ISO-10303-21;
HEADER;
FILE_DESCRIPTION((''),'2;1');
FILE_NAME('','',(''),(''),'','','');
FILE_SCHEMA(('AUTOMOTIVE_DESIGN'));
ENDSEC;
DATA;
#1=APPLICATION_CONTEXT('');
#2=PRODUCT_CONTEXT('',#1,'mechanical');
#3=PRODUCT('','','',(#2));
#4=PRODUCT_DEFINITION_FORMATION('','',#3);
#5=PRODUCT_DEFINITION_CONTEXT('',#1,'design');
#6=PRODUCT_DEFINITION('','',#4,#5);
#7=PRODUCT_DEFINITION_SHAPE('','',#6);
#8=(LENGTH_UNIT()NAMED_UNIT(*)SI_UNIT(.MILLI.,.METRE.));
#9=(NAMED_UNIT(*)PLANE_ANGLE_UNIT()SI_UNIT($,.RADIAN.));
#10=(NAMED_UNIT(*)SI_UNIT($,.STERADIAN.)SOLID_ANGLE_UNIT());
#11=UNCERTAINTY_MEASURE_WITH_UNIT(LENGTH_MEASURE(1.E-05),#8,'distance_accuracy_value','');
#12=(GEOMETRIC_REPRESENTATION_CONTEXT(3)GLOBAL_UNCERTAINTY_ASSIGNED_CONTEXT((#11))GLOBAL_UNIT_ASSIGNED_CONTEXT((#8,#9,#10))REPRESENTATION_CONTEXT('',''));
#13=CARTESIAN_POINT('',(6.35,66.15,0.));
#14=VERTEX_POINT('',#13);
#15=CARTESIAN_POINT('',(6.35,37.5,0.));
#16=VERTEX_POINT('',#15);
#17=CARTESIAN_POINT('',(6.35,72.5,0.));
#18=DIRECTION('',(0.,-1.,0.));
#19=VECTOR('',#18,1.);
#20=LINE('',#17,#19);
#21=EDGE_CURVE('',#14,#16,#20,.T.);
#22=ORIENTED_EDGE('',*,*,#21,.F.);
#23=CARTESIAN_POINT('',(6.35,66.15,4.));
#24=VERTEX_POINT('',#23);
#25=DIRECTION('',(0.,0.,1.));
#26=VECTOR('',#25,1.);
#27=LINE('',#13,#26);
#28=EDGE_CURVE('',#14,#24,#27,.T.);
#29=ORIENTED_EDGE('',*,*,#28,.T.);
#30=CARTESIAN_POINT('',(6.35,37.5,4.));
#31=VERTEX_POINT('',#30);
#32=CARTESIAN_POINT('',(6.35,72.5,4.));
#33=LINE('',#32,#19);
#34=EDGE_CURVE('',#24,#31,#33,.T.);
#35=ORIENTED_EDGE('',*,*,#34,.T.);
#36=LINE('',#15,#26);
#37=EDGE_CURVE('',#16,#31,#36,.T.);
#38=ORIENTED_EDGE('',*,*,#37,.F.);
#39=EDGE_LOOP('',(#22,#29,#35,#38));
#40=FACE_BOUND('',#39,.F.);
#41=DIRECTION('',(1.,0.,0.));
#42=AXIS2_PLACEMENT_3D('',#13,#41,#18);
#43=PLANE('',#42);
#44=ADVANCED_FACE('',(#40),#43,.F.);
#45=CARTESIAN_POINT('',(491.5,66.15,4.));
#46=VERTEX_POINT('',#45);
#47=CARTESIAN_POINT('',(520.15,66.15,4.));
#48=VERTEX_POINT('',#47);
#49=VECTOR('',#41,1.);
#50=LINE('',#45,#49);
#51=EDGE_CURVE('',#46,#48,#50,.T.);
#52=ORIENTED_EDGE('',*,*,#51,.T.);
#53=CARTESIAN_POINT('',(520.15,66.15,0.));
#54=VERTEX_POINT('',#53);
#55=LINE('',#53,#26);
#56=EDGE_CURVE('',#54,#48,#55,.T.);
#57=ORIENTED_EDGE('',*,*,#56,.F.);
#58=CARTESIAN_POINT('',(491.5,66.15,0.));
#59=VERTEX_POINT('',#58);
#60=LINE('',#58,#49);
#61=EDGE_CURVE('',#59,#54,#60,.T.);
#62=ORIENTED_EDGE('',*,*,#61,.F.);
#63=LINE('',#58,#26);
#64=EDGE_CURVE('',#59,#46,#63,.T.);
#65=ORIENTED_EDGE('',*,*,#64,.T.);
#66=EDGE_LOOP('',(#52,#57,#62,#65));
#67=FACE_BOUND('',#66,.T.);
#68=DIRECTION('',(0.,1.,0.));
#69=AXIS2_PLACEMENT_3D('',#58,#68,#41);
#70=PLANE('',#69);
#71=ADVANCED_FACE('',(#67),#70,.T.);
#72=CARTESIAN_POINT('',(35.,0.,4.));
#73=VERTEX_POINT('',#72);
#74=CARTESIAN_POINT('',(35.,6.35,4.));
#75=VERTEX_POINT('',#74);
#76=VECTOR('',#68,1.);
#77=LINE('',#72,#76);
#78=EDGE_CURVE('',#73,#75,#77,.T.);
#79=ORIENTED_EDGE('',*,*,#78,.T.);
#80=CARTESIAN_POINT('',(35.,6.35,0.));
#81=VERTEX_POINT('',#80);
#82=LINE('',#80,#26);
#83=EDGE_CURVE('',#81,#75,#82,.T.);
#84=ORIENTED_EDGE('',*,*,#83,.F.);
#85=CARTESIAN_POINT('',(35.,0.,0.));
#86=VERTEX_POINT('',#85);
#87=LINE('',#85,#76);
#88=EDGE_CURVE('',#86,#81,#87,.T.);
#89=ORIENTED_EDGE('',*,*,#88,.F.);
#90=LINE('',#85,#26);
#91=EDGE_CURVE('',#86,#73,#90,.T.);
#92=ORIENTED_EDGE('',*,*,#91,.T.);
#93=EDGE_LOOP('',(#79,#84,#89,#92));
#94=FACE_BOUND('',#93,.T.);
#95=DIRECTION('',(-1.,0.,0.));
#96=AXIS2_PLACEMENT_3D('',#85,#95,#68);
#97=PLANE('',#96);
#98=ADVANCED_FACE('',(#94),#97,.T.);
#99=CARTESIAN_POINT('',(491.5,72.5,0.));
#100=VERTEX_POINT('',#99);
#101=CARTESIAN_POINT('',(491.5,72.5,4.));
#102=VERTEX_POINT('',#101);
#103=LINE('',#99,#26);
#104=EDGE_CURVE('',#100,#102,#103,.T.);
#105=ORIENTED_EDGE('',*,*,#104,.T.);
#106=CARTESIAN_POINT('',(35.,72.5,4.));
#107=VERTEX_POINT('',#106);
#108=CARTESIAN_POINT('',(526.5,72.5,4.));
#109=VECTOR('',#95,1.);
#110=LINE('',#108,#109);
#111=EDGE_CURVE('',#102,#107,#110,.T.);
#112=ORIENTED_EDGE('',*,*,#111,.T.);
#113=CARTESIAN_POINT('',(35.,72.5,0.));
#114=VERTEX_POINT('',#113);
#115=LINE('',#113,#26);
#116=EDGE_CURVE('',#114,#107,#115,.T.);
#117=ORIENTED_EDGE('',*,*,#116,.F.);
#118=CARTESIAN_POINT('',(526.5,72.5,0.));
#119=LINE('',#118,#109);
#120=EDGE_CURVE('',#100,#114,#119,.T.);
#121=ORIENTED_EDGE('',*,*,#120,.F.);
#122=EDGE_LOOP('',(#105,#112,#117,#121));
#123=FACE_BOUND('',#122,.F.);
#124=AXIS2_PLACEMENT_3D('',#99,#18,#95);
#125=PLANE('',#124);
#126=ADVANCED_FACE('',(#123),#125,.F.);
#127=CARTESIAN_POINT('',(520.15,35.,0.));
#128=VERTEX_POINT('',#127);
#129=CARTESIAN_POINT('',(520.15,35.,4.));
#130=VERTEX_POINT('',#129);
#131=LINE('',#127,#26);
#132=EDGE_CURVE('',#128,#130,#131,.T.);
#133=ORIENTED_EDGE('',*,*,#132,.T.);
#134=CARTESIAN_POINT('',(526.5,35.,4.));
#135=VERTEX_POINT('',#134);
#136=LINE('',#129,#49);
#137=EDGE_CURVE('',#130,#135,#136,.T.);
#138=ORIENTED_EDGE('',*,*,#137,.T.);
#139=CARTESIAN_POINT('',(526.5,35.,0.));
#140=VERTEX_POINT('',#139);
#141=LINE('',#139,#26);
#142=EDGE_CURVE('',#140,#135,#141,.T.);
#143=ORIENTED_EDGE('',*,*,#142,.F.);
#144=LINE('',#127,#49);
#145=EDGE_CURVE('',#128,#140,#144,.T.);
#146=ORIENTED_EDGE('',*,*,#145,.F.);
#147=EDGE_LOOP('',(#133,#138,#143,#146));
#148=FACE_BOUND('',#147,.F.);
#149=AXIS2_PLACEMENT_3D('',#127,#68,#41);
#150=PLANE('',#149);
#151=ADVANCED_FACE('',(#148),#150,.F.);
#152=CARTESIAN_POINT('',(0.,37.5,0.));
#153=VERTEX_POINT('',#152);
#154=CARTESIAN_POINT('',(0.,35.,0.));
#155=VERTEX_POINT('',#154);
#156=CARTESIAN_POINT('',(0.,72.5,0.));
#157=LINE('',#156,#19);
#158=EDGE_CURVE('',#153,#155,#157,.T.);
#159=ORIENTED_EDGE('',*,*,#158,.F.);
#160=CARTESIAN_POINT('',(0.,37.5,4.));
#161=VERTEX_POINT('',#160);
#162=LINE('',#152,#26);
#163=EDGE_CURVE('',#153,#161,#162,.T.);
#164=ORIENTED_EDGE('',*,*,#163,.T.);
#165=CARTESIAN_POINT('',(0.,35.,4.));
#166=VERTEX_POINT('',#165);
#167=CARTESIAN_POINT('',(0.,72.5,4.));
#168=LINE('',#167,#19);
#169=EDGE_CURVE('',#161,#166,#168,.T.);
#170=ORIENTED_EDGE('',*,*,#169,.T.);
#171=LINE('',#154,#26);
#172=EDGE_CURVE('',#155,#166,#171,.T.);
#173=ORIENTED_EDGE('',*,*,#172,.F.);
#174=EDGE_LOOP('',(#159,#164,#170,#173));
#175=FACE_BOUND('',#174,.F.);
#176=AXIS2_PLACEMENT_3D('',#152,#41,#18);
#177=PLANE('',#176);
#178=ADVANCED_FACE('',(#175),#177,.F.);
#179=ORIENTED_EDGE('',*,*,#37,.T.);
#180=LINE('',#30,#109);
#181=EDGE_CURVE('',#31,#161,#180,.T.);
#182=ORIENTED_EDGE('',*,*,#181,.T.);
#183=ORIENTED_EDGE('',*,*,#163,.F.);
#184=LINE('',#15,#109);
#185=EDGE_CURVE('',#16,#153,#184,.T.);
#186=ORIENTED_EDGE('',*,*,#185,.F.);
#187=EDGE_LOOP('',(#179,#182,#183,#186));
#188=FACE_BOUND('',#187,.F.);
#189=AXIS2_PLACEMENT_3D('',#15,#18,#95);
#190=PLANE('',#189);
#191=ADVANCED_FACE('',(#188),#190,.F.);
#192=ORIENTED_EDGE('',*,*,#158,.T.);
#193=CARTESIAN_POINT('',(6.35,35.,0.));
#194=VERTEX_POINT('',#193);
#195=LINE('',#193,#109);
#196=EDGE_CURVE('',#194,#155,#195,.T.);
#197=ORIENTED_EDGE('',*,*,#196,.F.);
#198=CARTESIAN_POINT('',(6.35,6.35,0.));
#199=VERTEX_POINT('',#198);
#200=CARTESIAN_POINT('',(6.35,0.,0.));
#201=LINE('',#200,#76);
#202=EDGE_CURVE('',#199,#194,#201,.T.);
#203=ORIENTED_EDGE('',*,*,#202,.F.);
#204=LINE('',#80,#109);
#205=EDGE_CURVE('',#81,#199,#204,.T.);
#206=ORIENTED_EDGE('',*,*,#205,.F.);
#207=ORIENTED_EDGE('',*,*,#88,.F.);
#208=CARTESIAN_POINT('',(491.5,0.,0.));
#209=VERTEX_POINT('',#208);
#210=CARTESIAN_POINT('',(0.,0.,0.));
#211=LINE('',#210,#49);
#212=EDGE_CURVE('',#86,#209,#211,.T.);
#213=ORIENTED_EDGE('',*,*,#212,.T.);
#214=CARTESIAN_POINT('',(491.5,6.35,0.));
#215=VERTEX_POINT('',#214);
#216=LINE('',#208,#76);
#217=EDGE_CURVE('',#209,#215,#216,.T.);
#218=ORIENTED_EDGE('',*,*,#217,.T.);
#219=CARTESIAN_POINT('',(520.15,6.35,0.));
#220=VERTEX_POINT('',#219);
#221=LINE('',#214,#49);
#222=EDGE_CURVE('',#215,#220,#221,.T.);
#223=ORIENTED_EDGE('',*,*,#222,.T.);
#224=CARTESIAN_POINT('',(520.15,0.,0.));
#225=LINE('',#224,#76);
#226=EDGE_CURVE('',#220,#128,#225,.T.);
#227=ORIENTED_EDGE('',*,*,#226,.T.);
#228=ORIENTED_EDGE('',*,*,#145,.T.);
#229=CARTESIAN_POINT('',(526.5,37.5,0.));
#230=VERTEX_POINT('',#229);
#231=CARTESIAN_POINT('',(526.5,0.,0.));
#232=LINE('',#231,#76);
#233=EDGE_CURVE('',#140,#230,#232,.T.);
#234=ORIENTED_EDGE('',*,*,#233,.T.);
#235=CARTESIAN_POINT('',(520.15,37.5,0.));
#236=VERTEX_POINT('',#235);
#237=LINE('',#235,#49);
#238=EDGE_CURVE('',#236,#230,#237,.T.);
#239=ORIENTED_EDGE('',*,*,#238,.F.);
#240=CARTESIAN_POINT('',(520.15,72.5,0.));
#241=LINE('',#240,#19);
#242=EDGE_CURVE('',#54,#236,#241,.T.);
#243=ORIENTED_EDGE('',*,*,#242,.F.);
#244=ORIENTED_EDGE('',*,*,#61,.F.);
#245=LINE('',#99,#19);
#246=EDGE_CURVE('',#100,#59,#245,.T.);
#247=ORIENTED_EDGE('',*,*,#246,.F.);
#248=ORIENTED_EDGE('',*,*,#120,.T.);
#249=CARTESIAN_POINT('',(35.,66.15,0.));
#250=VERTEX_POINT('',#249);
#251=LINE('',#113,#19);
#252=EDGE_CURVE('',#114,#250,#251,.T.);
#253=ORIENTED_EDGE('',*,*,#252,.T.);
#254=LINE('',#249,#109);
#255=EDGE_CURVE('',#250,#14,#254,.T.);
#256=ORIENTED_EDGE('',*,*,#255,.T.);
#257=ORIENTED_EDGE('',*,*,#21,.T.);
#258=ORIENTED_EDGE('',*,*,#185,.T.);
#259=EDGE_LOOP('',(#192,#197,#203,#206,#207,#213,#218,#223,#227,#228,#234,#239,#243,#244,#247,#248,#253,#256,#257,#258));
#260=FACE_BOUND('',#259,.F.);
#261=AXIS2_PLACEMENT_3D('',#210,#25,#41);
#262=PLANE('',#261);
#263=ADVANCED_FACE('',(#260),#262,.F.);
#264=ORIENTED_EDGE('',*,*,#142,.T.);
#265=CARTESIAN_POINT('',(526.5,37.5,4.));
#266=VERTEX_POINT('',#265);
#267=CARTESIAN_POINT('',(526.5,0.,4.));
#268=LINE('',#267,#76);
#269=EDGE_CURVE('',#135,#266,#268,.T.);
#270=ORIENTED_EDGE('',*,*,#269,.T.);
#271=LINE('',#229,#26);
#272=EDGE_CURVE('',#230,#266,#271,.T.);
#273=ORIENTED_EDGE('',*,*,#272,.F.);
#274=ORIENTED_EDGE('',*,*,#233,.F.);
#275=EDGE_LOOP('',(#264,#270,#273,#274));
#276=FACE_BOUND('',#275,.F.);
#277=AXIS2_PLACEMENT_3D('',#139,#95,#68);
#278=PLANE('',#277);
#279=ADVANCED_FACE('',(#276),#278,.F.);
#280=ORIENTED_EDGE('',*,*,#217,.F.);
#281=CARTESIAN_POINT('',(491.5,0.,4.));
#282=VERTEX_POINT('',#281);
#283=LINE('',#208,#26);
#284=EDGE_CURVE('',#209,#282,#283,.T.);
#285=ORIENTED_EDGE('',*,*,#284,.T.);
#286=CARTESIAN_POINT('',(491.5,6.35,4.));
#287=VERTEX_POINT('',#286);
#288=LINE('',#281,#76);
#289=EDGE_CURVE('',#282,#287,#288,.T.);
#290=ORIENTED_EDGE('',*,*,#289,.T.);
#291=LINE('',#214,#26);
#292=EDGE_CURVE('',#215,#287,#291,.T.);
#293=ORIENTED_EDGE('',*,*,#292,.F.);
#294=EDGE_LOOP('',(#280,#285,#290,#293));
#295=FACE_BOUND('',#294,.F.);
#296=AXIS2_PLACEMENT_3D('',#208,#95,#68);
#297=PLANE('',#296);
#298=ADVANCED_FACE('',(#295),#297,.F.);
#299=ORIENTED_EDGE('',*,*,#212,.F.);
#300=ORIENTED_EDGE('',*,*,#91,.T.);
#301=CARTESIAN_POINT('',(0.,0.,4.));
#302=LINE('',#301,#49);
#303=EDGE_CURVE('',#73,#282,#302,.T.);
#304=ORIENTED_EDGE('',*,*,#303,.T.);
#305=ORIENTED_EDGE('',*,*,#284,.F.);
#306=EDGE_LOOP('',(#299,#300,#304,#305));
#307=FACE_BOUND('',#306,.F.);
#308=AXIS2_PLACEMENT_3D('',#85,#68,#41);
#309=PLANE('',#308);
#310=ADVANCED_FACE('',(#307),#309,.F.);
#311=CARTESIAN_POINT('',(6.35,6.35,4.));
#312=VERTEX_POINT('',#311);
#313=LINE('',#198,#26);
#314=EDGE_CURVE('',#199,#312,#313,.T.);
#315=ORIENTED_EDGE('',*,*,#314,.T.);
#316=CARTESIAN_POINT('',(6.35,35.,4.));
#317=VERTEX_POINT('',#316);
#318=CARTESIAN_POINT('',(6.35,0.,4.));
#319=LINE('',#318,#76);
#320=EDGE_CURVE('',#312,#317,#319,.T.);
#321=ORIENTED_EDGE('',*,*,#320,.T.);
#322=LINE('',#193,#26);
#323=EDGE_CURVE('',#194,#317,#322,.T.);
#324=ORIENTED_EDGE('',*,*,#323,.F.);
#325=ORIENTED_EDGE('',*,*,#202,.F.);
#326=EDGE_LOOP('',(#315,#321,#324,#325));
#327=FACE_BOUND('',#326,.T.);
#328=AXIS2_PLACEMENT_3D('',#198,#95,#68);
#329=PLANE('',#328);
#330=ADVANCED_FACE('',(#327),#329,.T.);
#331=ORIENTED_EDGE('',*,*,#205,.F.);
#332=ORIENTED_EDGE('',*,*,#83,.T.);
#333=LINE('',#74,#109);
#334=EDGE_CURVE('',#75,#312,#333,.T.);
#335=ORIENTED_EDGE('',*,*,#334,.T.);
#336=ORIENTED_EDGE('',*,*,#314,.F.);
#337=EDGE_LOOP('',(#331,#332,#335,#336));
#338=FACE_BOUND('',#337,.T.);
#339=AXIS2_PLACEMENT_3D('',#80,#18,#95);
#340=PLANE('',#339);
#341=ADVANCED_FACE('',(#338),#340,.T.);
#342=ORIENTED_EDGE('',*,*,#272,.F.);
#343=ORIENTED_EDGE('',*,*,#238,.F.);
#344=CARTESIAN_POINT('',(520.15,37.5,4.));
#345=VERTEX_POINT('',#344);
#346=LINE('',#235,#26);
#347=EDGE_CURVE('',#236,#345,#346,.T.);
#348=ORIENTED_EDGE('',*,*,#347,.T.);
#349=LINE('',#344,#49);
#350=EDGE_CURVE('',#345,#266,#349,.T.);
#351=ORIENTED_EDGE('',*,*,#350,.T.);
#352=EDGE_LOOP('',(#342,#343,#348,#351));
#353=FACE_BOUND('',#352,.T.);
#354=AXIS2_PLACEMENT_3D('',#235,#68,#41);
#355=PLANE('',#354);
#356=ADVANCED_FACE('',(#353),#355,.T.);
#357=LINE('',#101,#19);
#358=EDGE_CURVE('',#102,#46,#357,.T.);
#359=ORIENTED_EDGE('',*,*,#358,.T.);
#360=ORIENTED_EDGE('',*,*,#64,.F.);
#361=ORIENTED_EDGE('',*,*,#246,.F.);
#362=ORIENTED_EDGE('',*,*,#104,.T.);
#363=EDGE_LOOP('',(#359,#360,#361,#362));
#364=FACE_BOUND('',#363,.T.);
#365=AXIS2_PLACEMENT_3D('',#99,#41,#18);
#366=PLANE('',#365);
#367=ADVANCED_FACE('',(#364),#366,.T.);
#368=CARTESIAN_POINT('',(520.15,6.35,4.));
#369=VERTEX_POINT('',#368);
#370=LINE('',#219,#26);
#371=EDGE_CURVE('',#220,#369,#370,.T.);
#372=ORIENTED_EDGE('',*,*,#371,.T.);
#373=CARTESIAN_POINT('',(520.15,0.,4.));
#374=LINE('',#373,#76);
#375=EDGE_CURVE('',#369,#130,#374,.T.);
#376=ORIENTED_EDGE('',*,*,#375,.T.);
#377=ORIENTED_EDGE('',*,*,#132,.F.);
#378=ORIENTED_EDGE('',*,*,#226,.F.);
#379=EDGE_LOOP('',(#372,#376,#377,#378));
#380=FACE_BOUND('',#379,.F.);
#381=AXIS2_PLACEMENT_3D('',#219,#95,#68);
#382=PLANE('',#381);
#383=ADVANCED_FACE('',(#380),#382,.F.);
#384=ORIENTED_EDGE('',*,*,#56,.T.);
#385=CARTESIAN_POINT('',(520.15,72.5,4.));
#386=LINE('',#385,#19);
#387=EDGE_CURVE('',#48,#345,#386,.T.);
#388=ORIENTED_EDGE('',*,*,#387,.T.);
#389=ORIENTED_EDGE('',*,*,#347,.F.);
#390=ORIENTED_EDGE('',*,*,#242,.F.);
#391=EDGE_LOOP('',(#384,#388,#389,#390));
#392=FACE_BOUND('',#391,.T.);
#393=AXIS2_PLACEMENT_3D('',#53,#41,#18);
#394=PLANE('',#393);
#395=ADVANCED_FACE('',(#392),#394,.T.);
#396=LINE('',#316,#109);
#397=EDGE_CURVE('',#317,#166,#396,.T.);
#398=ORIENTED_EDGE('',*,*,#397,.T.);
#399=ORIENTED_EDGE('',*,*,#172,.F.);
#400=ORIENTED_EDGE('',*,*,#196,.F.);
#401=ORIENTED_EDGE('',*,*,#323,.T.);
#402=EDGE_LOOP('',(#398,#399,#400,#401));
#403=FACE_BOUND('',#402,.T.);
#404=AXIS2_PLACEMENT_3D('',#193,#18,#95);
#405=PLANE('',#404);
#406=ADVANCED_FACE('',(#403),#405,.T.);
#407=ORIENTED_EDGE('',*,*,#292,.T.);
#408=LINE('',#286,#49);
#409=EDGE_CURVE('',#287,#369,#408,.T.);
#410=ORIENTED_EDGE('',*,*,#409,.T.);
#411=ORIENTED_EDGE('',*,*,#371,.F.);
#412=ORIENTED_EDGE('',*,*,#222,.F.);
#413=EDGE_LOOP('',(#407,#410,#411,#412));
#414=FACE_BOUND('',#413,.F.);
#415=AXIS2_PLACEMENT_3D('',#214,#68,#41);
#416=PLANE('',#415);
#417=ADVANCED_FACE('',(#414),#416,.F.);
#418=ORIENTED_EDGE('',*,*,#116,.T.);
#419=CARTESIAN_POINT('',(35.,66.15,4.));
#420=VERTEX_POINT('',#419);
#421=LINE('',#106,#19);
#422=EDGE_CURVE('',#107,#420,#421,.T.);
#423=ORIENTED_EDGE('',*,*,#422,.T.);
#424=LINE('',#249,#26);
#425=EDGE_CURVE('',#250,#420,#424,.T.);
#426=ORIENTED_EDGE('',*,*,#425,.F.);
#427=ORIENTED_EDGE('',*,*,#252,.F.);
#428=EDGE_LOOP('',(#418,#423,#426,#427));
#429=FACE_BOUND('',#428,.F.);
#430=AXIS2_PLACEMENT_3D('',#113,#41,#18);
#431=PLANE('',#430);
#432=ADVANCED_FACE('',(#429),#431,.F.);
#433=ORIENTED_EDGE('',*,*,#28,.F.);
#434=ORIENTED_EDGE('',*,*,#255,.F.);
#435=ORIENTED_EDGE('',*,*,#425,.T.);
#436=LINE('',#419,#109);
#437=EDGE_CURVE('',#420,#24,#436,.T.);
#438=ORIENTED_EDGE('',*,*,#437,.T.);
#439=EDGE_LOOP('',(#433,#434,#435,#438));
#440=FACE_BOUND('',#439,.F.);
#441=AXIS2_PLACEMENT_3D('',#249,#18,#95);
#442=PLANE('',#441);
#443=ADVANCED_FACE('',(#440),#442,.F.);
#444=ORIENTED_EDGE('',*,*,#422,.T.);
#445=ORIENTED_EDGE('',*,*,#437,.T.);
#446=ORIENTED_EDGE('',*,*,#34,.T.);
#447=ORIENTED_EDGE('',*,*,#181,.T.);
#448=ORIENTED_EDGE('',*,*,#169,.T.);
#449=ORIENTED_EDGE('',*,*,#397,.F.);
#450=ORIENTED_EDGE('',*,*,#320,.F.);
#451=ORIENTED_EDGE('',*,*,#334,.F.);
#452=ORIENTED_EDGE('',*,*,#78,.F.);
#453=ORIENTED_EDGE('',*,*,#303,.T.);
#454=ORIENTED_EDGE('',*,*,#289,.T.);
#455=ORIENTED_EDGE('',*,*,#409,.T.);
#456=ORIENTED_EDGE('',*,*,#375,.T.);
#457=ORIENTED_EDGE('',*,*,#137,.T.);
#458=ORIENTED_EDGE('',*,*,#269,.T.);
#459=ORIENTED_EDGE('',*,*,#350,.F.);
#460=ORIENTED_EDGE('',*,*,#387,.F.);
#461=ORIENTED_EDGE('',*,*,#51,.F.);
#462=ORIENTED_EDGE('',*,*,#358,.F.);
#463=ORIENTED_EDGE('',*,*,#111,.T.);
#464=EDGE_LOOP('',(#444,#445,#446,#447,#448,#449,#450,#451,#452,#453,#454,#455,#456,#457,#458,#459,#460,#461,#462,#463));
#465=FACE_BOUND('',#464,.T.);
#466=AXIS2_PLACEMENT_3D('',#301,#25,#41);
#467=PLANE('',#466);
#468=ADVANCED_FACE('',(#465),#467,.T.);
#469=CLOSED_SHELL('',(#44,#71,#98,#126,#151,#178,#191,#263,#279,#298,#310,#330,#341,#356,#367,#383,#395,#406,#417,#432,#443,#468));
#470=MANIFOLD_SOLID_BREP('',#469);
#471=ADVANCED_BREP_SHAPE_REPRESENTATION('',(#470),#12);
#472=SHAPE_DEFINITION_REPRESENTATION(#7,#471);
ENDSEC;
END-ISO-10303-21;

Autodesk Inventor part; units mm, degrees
ref_plane "YZ Plane" through (0, 0, 0) normal (1, 0, 0) x (0, 1, 0)
ref_plane "XZ Plane" through (0, 0, 0) normal (0, 1, 0) x (-1, 0, 0)
ref_plane "XY Plane" through (0, 0, 0) normal (0, 0, 1) x (1, 0, 0)
sketch "Skizze1" plane through (0, 0, 0) normal (0, 0, 1) x (1, 0, 0)
  line L0 (0, 0) -> (526.5, 0)
  line L1 (526.5, 0) -> (526.5, 72.5)
  line L2 (526.5, 72.5) -> (0, 72.5)
  line L3 (0, 72.5) -> (0, 0)
  line L4 (0, 72.5) -> (35, 72.5)
  line L5 (35, 72.5) -> (35, 66.15)
  line L6 (35, 66.15) -> (0, 66.15)
  line L7 (0, 66.15) -> (0, 72.5)
  line L8 (0, 72.5) -> (6.35, 72.5)
  line L9 (6.35, 72.5) -> (6.35, 37.5)
  line L10 (6.35, 37.5) -> (0, 37.5)
  line L11 (0, 37.5) -> (0, 72.5)
  line L12 (0, 36.25) -> (526.5, 36.25) construction
  line L13 (263.25, 72.5) -> (263.25, 0) construction
  line L14 (0, 0) -> (35, 0)
  line L15 (35, 0) -> (35, 6.35)
  line L16 (35, 6.35) -> (0, 6.35)
  line L17 (0, 6.35) -> (0, 0)
  line L18 (0, 0) -> (6.35, 0)
  line L19 (6.35, 0) -> (6.35, 35)
  line L20 (6.35, 35) -> (0, 35)
  line L21 (0, 35) -> (0, 0)
  line L22 (526.5, 72.5) -> (526.5, 0)
  line L23 (526.5, 72.5) -> (491.5, 72.5)
  line L24 (491.5, 72.5) -> (491.5, 66.15)
  line L25 (491.5, 66.15) -> (526.5, 66.15)
  line L26 (526.5, 66.15) -> (526.5, 72.5)
  line L27 (526.5, 72.5) -> (520.15, 72.5)
  line L28 (520.15, 72.5) -> (520.15, 37.5)
  line L29 (520.15, 37.5) -> (526.5, 37.5)
  line L30 (526.5, 37.5) -> (526.5, 72.5)
  line L31 (526.5, 0) -> (520.15, 0)
  line L32 (526.5, 0) -> (491.5, 0)
  line L33 (491.5, 0) -> (491.5, 6.35)
  line L34 (491.5, 6.35) -> (526.5, 6.35)
  line L35 (520.15, 0) -> (520.15, 35)
  line L36 (526.5, 6.35) -> (526.5, 0)
  line L37 (520.15, 35) -> (526.5, 35)
  line L38 (526.5, 35) -> (526.5, 0)
  point P0 (526.5, 37.5)
  point P1 (520.15, 66.15)
  point P2 (6.35, 66.15)
  point P3 (0, 37.5)
  point P4 (0, 35)
  point P5 (6.35, 6.35)
  point P6 (491.5, 0)
  point P7 (520.15, 6.35)
  point P8 (526.5, 35)
  dimension "d0" = 526.5
  dimension "d1" = 72.5
  dimension "d2" = 35
  dimension "d3" = 6.35
  dimension "d4" = 6.35
  dimension "d5" = 35
extrude "Extrusion1" add sketch "Skizze1" along normal blind 4 contours L15 L16 L19 L20 L3 L10 L9 L6 L5 L2 L24 L25 L28 L29 L1 L37 L35 L34 L33 L0
properties part number "103.012.01_Abdeckung_Gestell_front" material "PMMA-Kunststoff"
